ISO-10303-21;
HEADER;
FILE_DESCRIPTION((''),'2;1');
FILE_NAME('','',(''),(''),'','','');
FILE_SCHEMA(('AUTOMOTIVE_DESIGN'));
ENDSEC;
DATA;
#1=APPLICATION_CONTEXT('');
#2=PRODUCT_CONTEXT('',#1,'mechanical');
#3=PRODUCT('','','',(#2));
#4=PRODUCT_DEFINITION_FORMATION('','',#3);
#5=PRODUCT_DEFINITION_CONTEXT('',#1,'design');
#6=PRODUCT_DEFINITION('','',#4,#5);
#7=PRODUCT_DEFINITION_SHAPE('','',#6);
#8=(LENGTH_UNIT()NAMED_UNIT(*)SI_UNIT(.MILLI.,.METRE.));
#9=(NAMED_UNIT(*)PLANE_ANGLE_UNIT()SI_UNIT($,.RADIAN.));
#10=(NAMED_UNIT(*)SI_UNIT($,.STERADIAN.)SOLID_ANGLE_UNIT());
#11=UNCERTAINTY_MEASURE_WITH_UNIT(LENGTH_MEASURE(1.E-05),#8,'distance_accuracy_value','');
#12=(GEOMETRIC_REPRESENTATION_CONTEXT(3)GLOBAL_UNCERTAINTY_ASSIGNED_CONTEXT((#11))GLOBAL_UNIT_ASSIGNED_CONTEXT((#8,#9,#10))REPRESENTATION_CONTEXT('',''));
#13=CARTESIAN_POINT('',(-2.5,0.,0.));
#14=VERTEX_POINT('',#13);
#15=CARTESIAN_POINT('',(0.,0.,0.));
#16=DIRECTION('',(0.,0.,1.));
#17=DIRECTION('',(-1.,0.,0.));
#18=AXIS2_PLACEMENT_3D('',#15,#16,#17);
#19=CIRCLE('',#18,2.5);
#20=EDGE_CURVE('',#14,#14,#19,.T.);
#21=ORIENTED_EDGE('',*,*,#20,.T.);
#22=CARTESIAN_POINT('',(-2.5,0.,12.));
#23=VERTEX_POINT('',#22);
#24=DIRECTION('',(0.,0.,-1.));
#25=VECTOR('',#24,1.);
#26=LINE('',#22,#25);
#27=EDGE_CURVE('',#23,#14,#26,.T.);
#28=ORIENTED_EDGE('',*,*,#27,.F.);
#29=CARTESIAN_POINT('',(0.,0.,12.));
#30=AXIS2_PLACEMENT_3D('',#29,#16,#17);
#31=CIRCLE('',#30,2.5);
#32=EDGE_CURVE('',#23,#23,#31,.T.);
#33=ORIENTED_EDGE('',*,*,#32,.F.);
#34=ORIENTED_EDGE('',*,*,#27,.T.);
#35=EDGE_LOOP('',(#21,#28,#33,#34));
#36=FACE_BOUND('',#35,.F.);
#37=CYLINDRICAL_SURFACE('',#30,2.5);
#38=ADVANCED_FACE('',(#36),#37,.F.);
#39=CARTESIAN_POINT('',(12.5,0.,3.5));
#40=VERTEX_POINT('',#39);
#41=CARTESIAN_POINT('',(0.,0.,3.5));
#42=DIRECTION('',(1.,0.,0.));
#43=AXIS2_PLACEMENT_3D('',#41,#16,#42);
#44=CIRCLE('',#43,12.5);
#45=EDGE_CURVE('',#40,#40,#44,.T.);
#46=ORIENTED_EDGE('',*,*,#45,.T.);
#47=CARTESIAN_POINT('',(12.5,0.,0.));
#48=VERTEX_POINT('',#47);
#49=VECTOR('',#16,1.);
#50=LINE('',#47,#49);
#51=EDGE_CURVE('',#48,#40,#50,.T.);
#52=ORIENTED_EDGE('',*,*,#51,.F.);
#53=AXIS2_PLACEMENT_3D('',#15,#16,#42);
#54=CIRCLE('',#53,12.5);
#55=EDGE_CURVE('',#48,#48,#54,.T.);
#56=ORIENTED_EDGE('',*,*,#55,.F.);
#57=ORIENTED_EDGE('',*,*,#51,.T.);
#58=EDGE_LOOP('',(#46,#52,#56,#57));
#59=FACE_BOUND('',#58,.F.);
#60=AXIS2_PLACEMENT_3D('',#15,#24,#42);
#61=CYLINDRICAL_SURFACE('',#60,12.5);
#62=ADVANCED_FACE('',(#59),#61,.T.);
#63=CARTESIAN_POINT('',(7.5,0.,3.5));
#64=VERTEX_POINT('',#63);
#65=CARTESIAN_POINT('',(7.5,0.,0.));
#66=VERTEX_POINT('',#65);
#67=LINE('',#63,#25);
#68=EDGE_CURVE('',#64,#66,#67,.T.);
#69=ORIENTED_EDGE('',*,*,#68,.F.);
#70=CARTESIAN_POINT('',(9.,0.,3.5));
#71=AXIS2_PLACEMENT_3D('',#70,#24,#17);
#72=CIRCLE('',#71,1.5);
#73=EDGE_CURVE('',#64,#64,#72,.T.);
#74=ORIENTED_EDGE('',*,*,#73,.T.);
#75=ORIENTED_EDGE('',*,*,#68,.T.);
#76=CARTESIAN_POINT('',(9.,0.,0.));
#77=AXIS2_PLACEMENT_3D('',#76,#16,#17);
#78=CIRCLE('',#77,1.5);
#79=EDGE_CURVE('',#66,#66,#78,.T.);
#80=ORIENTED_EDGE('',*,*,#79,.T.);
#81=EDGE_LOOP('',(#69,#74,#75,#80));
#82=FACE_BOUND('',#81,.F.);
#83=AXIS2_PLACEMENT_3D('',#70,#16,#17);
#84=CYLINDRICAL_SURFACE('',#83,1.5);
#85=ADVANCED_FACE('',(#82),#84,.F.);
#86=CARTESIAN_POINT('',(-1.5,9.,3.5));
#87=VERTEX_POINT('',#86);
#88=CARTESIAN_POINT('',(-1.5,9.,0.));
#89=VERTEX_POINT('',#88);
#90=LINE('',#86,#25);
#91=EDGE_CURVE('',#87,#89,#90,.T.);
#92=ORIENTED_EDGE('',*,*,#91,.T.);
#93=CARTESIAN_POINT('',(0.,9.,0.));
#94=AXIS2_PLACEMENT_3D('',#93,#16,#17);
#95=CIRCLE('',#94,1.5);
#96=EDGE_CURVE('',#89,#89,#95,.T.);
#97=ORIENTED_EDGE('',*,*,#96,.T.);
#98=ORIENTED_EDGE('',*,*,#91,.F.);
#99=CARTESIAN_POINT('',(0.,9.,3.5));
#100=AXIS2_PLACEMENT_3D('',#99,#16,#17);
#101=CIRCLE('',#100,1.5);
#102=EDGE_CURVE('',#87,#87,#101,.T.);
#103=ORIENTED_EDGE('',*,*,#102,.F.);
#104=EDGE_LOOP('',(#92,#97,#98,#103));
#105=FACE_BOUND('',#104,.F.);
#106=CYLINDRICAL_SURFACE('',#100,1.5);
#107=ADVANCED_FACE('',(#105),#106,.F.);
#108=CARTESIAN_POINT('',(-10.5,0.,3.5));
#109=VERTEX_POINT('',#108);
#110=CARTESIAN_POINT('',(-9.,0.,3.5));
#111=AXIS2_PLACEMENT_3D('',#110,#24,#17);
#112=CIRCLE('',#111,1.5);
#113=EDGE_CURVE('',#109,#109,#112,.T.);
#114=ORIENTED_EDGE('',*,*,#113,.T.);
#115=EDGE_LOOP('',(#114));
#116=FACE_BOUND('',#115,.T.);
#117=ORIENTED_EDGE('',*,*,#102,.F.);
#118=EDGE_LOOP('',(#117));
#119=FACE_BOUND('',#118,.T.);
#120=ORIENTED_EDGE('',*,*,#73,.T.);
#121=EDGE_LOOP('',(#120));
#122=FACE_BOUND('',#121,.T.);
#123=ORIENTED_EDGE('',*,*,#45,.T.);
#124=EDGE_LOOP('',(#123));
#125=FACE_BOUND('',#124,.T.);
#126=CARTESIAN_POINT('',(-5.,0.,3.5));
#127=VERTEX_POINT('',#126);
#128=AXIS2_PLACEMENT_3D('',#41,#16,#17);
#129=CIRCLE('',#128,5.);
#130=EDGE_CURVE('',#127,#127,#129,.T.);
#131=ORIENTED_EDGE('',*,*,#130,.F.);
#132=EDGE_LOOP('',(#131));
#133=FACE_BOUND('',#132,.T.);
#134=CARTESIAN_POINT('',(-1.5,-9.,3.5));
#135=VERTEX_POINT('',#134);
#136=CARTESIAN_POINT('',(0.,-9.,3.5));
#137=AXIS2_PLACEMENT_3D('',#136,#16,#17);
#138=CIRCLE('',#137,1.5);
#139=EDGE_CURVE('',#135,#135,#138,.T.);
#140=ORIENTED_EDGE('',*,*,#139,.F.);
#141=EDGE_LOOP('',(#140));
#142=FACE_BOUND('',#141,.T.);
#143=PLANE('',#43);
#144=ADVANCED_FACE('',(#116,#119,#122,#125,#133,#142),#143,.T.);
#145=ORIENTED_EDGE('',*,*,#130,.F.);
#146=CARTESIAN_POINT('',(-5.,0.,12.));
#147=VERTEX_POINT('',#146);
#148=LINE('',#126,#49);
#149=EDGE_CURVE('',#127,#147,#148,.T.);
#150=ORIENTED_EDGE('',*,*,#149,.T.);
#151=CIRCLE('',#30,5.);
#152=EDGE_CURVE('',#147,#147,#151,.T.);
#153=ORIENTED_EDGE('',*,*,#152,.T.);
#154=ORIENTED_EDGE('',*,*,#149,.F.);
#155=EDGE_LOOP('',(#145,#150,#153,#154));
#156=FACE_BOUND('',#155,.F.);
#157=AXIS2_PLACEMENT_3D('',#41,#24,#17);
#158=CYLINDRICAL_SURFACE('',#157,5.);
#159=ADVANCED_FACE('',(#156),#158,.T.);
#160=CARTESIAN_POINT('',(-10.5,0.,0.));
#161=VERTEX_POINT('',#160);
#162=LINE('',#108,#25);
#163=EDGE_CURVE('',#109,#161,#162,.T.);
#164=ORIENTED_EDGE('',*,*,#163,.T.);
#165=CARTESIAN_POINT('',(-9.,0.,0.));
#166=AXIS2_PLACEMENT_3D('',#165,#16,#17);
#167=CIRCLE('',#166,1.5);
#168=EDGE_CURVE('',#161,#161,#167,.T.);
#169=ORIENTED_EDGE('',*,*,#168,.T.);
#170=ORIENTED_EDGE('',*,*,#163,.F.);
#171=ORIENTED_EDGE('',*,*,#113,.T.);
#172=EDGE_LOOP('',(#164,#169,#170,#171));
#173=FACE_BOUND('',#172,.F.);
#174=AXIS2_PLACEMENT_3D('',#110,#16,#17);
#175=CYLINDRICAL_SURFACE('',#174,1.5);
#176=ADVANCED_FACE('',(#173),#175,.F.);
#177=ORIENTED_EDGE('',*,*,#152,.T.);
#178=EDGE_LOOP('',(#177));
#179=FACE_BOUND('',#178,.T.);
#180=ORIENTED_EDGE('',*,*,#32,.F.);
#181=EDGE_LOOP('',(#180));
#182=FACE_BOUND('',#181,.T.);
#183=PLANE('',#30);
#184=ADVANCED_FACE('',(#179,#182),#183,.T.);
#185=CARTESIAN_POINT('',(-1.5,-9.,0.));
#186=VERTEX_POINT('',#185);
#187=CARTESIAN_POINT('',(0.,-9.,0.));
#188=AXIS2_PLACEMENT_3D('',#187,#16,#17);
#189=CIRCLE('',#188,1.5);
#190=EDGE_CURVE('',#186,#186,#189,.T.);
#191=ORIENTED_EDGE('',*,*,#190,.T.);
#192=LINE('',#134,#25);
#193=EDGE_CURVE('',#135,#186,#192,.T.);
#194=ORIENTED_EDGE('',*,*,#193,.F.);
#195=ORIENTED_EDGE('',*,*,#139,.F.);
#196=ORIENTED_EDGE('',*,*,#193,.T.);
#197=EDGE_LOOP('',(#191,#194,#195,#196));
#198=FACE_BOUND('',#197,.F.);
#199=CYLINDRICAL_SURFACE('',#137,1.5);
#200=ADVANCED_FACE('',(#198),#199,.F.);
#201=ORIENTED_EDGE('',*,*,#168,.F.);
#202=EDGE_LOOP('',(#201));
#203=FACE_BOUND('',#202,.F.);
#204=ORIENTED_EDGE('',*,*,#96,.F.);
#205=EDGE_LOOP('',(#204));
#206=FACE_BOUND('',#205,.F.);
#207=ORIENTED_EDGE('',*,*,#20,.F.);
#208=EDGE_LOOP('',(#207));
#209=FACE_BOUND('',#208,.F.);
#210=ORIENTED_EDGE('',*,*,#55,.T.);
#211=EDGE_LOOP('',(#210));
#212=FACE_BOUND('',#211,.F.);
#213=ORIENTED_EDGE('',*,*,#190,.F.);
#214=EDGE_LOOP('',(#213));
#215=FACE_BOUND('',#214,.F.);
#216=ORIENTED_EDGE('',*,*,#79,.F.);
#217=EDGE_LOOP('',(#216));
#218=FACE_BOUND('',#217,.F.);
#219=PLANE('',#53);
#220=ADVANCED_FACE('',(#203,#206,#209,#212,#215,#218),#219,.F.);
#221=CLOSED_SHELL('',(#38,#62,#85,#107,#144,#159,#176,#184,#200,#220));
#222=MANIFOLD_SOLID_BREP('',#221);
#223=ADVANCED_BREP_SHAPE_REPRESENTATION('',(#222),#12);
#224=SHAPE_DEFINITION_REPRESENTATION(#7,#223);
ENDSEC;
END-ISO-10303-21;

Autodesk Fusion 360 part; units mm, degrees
sketch "スケッチ1" plane through (0, 0, 0) normal (0, 0, 1) x (1, 0, 0)
  circle A0 centre (0, 0) radius 12.5
  dimension "d1" = 25
extrude "押し出し1" add sketch "スケッチ1" along normal blind 3.5
sketch "スケッチ2" plane through (0, 0, 3.5) normal (0, 0, 1) x (-1, 0, 0)
  circle A0 centre (0, 0) radius 12.5
  circle A1 centre (0, 0) radius 5
  dimension "d4" = 10
extrude "押し出し2" add sketch "スケッチ2" along normal blind 8.5 contours A1
sketch "スケッチ3" plane through (0, 0, 12) normal (0, 0, 1) x (-1, 0, 0)
  circle A0 centre (0, 0) radius 5
  circle A1 centre (0, 0) radius 2.5
  dimension "d7" = 5
extrude "押し出し3" cut sketch "スケッチ3" against normal blind 12 contours A1
sketch "スケッチ4" plane through (0, 0, 3.5) normal (0, 0, 1) x (-1, 0, 0)
  circle A0 centre (0, 0) radius 5
  circle A1 centre (0, 0) radius 12.5
  line L0 (12.5, 0) -> (-12.5, 0)
  line L1 (0, 0) -> (-9, 0)
  line L2 (0, 0) -> (9, 0)
  circle A2 centre (-9, 0) radius 1.5
  circle A3 centre (0, -9) radius 1.5
  circle A4 centre (9, 0) radius 1.5
  circle A5 centre (0, 9) radius 1.5
  dimension "d10" = 25
  dimension "d11" = 9
  dimension "d12" = 9
  dimension "d13" = 3
  dimension "d15" = 360
extrude "押し出し4" cut sketch "スケッチ4" against normal blind 3.5 contours L0 L2 A4 | L0 L2 A4 | L0 L1 A2 | L0 L1 A2 | A3 | A5
sketch "スケッチ5" plane through (0, 0, 3.5) normal (0, 0, 1) x (-1, 0, 0)
  circle A0 centre (0, 9) radius 1.5
  circle A1 centre (9, 0) radius 1.5
  circle A2 centre (-9, 0) radius 1.5
  circle A3 centre (0, -9) radius 1.5
  circle A4 centre (0, 0) radius 5
  circle A5 centre (0, 0) radius 12.5
